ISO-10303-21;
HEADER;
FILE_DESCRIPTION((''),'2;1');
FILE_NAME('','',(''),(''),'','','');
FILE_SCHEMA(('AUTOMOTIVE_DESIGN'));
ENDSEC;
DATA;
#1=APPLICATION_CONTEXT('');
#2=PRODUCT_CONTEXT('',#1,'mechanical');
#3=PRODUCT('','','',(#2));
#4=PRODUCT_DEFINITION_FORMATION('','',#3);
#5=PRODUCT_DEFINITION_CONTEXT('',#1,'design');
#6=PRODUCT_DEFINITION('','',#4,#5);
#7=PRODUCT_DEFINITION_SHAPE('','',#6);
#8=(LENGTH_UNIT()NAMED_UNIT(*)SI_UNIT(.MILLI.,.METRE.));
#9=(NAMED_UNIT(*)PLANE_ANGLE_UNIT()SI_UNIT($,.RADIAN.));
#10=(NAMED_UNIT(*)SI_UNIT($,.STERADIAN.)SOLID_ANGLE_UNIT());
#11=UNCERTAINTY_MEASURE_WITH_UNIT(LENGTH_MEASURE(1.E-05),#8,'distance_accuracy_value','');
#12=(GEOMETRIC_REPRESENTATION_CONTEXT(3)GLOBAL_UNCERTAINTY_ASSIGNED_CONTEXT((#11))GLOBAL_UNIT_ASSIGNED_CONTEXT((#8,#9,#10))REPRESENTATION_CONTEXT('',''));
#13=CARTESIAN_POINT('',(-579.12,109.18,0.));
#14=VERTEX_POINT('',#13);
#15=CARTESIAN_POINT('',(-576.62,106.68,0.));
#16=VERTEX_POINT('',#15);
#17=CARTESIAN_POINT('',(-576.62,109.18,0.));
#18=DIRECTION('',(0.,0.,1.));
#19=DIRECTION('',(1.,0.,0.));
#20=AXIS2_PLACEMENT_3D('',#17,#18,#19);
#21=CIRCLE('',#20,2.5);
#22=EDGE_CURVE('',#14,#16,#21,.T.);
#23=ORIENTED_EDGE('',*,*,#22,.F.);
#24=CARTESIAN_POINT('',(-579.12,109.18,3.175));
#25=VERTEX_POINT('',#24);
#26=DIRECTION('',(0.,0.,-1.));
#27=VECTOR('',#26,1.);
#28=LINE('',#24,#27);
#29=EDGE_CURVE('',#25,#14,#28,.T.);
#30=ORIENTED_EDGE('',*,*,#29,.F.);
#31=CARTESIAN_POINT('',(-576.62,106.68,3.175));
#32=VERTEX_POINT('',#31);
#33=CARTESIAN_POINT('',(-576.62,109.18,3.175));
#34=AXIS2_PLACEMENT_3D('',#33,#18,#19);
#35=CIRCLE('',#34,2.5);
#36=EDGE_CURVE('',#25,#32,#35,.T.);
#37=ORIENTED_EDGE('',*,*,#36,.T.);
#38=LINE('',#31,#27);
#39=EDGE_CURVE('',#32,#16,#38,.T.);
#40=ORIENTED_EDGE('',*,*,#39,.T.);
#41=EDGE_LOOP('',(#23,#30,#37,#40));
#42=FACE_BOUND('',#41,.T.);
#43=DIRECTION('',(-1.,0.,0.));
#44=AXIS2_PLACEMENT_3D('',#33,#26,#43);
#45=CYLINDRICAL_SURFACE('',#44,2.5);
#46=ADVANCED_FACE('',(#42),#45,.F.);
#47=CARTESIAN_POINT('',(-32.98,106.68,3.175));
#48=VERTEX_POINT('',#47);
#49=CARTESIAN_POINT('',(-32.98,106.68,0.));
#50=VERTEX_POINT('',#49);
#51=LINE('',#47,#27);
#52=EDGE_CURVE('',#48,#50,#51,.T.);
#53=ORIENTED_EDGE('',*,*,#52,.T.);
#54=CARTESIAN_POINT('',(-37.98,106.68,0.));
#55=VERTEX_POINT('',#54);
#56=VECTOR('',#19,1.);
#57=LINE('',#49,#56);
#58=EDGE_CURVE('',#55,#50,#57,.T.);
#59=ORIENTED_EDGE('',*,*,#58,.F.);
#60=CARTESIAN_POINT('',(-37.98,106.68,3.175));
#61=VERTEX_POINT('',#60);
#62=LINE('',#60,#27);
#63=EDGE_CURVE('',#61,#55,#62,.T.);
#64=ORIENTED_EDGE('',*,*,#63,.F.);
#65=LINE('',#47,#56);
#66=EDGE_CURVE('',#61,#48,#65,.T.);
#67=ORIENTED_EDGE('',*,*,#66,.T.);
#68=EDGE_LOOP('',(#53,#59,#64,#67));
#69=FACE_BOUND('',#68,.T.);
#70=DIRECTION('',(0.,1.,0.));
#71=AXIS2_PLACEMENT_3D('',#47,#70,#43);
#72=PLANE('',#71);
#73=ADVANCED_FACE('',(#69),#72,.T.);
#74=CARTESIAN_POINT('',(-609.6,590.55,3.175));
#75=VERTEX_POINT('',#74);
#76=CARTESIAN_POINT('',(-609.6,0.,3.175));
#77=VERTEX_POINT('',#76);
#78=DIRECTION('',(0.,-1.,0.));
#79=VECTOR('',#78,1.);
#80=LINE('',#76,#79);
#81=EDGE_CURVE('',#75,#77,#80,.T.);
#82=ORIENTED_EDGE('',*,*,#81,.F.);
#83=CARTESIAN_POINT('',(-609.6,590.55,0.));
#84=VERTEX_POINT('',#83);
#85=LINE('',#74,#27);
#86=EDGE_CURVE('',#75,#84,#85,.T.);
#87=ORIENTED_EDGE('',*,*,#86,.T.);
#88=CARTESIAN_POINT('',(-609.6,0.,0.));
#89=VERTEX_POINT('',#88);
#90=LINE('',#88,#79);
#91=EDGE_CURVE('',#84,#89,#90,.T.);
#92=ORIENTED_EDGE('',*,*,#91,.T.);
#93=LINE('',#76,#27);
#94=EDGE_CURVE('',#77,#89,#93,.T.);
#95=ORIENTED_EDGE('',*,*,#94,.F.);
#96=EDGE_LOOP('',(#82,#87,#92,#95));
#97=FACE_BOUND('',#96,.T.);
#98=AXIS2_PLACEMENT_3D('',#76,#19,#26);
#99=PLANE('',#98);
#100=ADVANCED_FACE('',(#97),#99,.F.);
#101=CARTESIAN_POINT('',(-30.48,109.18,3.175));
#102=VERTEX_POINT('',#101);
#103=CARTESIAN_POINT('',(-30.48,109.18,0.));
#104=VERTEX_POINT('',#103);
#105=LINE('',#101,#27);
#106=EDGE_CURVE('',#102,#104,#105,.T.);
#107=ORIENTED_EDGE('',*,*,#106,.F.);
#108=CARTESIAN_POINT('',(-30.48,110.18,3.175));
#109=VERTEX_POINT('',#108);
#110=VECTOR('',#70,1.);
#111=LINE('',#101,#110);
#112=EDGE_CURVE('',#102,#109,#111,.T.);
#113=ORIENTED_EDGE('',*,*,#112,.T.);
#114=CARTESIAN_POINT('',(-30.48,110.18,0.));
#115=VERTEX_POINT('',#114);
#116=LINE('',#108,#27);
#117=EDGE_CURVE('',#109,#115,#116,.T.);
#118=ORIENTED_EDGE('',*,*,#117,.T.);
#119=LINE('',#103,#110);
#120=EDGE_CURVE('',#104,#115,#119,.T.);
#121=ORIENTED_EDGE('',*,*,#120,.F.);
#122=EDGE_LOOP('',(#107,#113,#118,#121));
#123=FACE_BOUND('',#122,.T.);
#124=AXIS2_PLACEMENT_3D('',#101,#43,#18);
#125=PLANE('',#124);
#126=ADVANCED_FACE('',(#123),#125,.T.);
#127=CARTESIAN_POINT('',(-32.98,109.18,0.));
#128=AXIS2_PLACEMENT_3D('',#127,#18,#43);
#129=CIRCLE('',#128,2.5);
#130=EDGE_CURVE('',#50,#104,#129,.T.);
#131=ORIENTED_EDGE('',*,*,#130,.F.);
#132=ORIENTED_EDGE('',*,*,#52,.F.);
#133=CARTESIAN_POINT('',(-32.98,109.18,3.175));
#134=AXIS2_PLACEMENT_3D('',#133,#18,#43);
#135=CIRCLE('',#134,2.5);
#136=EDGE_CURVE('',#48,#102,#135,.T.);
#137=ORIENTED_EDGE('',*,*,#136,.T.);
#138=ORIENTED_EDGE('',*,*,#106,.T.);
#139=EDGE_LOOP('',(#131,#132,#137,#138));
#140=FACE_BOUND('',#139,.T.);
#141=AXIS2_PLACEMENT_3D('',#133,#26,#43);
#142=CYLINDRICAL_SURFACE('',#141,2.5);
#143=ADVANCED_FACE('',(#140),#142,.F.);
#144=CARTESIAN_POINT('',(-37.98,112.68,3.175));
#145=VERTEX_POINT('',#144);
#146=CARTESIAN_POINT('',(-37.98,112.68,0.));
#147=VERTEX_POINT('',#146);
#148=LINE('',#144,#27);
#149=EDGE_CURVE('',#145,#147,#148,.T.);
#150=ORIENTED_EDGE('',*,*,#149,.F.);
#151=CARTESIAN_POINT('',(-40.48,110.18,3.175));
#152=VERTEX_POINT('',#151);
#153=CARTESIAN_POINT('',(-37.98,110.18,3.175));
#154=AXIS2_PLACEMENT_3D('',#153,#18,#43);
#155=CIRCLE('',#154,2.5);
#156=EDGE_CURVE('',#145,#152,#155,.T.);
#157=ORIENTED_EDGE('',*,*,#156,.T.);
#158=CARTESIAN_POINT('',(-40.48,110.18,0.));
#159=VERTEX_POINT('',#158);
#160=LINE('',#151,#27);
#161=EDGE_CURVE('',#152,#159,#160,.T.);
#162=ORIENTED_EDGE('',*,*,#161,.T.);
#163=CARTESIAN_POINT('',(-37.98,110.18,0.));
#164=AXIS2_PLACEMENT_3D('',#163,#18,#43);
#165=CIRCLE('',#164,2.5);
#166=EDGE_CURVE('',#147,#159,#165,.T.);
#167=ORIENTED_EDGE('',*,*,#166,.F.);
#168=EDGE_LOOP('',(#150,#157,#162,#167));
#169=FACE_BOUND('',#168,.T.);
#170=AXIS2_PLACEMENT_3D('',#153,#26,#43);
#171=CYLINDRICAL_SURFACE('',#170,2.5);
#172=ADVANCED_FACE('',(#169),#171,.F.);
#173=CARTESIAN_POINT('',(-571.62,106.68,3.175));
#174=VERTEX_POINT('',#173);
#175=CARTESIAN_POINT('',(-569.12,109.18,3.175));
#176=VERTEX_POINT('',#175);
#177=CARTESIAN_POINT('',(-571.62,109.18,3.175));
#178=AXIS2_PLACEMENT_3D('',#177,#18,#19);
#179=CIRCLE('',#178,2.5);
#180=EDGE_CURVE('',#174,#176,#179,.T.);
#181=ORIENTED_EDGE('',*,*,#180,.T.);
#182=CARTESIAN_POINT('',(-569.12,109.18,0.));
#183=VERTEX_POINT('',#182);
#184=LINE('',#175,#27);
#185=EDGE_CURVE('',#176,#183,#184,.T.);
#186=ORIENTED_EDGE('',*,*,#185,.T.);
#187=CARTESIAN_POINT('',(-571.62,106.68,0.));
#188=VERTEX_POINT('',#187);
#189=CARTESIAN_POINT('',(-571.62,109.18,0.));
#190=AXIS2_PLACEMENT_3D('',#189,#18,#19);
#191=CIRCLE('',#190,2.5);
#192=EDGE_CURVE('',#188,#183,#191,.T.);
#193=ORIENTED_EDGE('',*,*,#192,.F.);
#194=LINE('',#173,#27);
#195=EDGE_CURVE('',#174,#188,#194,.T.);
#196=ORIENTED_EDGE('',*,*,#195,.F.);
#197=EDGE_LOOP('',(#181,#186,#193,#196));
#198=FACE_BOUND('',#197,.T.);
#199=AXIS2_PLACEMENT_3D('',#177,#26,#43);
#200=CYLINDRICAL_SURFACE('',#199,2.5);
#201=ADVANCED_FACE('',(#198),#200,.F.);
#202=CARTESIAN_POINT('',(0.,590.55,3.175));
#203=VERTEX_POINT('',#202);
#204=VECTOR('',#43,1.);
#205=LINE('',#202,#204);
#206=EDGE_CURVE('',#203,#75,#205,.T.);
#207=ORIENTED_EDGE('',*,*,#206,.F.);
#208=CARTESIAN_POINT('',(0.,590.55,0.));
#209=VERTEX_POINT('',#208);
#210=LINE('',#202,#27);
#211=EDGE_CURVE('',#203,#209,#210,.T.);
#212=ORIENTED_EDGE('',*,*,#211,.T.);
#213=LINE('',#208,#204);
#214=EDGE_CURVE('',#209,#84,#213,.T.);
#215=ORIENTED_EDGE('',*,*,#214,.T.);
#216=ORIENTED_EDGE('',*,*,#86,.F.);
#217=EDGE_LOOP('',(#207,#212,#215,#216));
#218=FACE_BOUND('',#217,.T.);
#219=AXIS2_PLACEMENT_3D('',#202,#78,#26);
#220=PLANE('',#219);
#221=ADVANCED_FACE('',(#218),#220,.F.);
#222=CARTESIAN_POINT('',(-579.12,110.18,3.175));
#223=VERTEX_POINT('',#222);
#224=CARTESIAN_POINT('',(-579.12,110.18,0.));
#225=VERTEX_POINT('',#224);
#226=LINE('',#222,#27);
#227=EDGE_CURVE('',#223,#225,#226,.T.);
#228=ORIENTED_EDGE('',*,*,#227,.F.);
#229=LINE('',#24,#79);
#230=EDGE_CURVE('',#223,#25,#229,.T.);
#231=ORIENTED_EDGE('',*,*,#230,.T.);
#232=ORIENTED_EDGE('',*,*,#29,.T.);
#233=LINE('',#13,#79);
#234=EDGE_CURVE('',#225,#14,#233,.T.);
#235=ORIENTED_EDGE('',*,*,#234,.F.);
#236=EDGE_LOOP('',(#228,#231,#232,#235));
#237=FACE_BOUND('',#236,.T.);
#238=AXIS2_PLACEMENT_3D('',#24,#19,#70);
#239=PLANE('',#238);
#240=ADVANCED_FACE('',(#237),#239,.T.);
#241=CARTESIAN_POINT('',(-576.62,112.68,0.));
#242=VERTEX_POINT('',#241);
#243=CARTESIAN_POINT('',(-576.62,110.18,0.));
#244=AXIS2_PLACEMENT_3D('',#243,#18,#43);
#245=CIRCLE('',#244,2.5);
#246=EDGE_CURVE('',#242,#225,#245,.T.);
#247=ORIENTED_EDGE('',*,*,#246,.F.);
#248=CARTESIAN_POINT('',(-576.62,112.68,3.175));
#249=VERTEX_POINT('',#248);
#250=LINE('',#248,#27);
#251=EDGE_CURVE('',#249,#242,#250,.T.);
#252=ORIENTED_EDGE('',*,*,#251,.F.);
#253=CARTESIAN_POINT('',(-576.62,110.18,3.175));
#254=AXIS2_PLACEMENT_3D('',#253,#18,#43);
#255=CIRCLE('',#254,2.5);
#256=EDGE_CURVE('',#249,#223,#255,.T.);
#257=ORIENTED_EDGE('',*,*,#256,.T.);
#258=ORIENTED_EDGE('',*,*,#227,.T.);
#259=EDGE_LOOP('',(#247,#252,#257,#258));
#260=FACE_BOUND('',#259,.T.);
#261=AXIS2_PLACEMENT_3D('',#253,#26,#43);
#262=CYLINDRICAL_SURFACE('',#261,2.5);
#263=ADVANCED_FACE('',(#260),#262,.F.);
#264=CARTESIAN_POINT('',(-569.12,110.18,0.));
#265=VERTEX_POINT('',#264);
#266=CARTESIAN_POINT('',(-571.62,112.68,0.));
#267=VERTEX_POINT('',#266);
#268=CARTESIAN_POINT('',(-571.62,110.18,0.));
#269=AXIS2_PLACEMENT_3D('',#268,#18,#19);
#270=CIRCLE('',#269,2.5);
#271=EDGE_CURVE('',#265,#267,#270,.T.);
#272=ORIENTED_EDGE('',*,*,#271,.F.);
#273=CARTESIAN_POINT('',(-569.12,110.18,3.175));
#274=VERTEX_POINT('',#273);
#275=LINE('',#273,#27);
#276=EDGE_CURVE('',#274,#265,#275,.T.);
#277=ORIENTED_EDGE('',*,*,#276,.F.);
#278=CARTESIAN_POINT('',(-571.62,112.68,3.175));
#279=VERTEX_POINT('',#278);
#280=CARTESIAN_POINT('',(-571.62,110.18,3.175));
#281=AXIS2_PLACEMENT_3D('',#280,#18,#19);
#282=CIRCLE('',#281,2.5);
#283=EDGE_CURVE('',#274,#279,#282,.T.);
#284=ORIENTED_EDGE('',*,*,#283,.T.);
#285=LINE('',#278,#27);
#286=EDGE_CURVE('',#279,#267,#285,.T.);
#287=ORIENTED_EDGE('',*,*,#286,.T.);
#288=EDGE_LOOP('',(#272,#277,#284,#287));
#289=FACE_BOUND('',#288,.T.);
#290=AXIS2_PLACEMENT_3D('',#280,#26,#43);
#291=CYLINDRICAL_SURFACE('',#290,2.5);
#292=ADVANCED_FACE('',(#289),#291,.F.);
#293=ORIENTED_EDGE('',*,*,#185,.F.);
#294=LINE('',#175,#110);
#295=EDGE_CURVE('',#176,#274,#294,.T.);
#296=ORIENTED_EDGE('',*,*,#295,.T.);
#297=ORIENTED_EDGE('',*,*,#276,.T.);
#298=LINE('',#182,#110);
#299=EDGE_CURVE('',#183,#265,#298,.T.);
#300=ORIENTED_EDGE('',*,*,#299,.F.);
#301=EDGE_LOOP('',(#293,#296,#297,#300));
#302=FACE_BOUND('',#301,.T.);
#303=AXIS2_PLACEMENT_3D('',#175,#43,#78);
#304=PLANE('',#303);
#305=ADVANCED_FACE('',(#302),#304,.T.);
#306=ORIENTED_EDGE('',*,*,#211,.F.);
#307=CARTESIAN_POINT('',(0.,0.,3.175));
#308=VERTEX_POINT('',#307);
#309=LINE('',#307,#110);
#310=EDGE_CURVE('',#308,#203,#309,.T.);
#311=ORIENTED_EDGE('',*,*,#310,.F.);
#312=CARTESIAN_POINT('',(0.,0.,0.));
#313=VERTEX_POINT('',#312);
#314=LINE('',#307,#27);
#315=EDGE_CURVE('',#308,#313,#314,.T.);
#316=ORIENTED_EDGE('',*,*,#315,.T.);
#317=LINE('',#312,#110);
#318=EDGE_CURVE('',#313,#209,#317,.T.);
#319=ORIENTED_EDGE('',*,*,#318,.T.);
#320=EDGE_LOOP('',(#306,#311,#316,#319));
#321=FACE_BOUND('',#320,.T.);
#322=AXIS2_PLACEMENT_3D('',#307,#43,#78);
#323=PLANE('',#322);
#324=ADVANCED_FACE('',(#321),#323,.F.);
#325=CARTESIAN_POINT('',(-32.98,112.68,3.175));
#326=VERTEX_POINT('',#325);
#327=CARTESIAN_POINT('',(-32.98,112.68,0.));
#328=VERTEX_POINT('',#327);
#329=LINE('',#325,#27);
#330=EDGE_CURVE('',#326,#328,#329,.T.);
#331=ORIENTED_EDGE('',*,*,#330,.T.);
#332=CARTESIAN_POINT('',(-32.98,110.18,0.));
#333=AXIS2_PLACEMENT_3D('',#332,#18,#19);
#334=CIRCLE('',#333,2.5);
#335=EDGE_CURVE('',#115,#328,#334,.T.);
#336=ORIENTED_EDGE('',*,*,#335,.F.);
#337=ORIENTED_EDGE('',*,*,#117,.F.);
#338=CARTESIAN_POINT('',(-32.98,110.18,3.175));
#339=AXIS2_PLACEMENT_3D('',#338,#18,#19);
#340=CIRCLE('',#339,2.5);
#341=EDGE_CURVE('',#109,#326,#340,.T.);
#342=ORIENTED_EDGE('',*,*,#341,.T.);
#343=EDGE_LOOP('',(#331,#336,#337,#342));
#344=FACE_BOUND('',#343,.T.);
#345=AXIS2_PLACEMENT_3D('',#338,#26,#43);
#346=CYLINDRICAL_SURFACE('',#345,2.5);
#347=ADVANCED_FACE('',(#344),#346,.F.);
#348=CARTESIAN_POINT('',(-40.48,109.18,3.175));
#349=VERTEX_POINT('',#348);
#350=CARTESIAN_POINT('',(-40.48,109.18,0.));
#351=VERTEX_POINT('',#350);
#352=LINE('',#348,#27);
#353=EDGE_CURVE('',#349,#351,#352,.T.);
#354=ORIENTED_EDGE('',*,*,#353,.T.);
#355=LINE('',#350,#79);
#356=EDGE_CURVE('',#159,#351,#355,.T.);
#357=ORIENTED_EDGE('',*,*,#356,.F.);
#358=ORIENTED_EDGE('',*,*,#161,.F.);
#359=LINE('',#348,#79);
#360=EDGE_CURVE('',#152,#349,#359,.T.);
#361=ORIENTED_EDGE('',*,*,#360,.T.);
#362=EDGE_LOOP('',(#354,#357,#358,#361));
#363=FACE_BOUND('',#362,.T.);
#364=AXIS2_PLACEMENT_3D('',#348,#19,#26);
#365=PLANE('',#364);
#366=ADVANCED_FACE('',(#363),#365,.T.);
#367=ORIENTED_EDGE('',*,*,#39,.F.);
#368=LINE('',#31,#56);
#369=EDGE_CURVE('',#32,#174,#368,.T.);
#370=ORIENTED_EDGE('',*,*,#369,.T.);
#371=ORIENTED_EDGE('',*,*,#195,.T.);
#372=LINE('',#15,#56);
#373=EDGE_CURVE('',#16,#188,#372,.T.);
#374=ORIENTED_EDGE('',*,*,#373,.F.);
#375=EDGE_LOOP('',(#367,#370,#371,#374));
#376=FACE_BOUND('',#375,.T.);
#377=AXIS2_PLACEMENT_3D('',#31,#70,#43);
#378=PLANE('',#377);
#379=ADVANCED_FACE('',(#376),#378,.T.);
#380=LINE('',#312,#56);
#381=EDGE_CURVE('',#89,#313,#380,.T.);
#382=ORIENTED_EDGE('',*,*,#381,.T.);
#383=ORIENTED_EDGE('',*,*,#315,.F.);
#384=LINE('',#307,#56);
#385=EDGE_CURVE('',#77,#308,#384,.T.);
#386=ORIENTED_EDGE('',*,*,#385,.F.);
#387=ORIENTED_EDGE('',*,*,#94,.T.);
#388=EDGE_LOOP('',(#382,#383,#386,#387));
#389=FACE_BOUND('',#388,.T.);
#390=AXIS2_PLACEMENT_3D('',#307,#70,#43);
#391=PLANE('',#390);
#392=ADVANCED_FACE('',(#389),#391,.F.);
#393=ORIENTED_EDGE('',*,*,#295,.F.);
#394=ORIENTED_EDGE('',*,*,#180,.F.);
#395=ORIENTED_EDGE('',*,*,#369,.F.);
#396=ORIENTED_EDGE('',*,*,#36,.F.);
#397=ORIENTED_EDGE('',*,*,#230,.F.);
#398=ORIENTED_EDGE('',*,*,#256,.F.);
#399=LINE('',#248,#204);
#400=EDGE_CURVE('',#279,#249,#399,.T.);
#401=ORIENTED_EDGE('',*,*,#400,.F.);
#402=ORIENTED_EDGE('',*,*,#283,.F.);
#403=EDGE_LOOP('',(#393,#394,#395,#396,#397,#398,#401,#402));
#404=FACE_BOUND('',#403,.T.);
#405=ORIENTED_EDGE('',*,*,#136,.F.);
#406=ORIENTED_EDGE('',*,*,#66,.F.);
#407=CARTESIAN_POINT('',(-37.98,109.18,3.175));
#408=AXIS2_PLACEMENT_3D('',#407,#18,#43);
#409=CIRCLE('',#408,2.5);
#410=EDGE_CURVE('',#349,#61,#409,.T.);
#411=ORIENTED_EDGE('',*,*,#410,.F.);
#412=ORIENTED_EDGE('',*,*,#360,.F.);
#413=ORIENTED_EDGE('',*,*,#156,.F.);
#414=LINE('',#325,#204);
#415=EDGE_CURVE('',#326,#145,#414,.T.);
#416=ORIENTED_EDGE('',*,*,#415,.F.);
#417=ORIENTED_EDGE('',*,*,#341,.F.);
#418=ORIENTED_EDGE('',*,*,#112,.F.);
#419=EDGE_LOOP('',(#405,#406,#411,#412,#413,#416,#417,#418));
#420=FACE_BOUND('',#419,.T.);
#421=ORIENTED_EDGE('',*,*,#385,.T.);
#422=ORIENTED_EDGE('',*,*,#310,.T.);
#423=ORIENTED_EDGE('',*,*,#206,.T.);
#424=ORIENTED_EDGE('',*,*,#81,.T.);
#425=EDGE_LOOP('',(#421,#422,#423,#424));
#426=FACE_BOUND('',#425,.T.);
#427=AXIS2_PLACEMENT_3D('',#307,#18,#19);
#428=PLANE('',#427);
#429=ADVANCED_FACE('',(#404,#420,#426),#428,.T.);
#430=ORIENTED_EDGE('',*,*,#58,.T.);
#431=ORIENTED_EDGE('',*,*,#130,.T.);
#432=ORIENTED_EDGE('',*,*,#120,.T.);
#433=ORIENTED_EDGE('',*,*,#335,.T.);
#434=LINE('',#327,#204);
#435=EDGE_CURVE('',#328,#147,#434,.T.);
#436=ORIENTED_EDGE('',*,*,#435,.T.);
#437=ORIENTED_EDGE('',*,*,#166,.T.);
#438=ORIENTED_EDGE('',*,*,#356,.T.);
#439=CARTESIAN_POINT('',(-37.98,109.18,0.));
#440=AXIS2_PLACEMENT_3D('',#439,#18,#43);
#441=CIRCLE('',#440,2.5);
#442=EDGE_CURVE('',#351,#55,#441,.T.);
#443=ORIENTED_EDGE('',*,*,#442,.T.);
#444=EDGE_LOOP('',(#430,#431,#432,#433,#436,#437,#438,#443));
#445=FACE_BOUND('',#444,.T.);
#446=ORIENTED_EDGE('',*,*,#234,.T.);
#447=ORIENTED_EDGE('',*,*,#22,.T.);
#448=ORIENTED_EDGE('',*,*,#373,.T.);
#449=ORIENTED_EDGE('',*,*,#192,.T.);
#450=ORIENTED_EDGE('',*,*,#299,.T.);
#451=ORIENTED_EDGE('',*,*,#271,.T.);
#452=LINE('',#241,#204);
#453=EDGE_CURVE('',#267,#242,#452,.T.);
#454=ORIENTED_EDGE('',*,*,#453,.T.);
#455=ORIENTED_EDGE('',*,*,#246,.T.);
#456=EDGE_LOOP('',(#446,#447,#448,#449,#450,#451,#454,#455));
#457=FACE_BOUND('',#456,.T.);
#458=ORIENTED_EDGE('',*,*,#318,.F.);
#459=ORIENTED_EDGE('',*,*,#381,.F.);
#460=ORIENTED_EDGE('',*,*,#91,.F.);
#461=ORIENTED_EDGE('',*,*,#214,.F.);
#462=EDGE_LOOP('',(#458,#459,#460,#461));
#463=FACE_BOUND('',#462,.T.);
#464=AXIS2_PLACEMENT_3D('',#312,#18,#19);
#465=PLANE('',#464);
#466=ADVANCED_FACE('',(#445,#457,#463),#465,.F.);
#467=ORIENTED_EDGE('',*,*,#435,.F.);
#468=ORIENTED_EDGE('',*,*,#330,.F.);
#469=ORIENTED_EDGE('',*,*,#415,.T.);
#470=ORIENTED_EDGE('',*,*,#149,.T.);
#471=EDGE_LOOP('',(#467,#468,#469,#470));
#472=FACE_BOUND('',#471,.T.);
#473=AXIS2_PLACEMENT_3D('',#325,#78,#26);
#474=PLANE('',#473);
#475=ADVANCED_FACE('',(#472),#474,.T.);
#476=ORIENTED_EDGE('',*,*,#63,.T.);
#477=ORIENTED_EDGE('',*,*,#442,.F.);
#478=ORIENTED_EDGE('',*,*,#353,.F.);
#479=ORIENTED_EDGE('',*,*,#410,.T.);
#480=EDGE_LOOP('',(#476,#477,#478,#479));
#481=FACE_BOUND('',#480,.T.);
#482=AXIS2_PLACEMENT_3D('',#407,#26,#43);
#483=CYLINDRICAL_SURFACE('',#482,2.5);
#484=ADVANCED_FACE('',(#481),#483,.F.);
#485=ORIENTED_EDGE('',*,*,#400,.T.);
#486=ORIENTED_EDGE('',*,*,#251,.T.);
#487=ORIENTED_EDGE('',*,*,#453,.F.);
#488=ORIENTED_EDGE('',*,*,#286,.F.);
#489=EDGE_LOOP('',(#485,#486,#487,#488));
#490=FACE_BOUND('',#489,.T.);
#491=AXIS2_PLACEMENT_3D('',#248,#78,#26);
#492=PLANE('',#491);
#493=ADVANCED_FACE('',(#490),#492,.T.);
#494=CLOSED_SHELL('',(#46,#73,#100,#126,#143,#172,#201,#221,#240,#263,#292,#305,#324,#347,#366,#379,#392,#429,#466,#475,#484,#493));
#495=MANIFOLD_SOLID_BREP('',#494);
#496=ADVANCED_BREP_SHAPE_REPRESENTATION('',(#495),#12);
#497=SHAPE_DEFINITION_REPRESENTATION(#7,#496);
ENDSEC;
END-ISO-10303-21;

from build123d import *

# Parameters (mm, degrees)
SKETCH1_W           = 609.6
SKETCH1_H           = 590.55
BOSS_EXTRUDE1_DEPTH = 3.175


with BuildPart() as part:
    # Sketch1 → Boss-Extrude1 (new body)
    with BuildSketch(Plane.XY):
        with Locations((-304.8, 295.275)):
            Rectangle(SKETCH1_W, SKETCH1_H)
        with BuildLine():
            Line((-579.12, 109.18), (-579.12, 110.18))
            ThreePointArc((-579.12, 110.18), (-578.387766953, 111.947766953), (-576.62, 112.68))
            Line((-576.62, 112.68), (-571.62, 112.68))
            ThreePointArc((-571.62, 112.68), (-569.852233047, 111.947766953), (-569.12, 110.18))
            Line((-569.12, 110.18), (-569.12, 109.18))
            ThreePointArc((-569.12, 109.18), (-569.852233047, 107.412233047), (-571.62, 106.68))
            Line((-571.62, 106.68), (-576.62, 106.68))
            ThreePointArc((-576.62, 106.68), (-578.387766953, 107.412233047), (-579.12, 109.18))
        make_face(mode=Mode.SUBTRACT)
        with BuildLine():
            Line((-32.98, 106.68), (-37.98, 106.68))
            ThreePointArc((-37.98, 106.68), (-39.747766953, 107.412233047), (-40.48, 109.18))
            Line((-40.48, 109.18), (-40.48, 110.18))
            ThreePointArc((-40.48, 110.18), (-39.747766953, 111.947766953), (-37.98, 112.68))
            Line((-37.98, 112.68), (-32.98, 112.68))
            ThreePointArc((-32.98, 112.68), (-31.212233047, 111.947766953), (-30.48, 110.18))
            Line((-30.48, 110.18), (-30.48, 109.18))
            ThreePointArc((-30.48, 109.18), (-31.212233047, 107.412233047), (-32.98, 106.68))
        make_face(mode=Mode.SUBTRACT)
    extrude(amount=BOSS_EXTRUDE1_DEPTH)


solid = part.part
